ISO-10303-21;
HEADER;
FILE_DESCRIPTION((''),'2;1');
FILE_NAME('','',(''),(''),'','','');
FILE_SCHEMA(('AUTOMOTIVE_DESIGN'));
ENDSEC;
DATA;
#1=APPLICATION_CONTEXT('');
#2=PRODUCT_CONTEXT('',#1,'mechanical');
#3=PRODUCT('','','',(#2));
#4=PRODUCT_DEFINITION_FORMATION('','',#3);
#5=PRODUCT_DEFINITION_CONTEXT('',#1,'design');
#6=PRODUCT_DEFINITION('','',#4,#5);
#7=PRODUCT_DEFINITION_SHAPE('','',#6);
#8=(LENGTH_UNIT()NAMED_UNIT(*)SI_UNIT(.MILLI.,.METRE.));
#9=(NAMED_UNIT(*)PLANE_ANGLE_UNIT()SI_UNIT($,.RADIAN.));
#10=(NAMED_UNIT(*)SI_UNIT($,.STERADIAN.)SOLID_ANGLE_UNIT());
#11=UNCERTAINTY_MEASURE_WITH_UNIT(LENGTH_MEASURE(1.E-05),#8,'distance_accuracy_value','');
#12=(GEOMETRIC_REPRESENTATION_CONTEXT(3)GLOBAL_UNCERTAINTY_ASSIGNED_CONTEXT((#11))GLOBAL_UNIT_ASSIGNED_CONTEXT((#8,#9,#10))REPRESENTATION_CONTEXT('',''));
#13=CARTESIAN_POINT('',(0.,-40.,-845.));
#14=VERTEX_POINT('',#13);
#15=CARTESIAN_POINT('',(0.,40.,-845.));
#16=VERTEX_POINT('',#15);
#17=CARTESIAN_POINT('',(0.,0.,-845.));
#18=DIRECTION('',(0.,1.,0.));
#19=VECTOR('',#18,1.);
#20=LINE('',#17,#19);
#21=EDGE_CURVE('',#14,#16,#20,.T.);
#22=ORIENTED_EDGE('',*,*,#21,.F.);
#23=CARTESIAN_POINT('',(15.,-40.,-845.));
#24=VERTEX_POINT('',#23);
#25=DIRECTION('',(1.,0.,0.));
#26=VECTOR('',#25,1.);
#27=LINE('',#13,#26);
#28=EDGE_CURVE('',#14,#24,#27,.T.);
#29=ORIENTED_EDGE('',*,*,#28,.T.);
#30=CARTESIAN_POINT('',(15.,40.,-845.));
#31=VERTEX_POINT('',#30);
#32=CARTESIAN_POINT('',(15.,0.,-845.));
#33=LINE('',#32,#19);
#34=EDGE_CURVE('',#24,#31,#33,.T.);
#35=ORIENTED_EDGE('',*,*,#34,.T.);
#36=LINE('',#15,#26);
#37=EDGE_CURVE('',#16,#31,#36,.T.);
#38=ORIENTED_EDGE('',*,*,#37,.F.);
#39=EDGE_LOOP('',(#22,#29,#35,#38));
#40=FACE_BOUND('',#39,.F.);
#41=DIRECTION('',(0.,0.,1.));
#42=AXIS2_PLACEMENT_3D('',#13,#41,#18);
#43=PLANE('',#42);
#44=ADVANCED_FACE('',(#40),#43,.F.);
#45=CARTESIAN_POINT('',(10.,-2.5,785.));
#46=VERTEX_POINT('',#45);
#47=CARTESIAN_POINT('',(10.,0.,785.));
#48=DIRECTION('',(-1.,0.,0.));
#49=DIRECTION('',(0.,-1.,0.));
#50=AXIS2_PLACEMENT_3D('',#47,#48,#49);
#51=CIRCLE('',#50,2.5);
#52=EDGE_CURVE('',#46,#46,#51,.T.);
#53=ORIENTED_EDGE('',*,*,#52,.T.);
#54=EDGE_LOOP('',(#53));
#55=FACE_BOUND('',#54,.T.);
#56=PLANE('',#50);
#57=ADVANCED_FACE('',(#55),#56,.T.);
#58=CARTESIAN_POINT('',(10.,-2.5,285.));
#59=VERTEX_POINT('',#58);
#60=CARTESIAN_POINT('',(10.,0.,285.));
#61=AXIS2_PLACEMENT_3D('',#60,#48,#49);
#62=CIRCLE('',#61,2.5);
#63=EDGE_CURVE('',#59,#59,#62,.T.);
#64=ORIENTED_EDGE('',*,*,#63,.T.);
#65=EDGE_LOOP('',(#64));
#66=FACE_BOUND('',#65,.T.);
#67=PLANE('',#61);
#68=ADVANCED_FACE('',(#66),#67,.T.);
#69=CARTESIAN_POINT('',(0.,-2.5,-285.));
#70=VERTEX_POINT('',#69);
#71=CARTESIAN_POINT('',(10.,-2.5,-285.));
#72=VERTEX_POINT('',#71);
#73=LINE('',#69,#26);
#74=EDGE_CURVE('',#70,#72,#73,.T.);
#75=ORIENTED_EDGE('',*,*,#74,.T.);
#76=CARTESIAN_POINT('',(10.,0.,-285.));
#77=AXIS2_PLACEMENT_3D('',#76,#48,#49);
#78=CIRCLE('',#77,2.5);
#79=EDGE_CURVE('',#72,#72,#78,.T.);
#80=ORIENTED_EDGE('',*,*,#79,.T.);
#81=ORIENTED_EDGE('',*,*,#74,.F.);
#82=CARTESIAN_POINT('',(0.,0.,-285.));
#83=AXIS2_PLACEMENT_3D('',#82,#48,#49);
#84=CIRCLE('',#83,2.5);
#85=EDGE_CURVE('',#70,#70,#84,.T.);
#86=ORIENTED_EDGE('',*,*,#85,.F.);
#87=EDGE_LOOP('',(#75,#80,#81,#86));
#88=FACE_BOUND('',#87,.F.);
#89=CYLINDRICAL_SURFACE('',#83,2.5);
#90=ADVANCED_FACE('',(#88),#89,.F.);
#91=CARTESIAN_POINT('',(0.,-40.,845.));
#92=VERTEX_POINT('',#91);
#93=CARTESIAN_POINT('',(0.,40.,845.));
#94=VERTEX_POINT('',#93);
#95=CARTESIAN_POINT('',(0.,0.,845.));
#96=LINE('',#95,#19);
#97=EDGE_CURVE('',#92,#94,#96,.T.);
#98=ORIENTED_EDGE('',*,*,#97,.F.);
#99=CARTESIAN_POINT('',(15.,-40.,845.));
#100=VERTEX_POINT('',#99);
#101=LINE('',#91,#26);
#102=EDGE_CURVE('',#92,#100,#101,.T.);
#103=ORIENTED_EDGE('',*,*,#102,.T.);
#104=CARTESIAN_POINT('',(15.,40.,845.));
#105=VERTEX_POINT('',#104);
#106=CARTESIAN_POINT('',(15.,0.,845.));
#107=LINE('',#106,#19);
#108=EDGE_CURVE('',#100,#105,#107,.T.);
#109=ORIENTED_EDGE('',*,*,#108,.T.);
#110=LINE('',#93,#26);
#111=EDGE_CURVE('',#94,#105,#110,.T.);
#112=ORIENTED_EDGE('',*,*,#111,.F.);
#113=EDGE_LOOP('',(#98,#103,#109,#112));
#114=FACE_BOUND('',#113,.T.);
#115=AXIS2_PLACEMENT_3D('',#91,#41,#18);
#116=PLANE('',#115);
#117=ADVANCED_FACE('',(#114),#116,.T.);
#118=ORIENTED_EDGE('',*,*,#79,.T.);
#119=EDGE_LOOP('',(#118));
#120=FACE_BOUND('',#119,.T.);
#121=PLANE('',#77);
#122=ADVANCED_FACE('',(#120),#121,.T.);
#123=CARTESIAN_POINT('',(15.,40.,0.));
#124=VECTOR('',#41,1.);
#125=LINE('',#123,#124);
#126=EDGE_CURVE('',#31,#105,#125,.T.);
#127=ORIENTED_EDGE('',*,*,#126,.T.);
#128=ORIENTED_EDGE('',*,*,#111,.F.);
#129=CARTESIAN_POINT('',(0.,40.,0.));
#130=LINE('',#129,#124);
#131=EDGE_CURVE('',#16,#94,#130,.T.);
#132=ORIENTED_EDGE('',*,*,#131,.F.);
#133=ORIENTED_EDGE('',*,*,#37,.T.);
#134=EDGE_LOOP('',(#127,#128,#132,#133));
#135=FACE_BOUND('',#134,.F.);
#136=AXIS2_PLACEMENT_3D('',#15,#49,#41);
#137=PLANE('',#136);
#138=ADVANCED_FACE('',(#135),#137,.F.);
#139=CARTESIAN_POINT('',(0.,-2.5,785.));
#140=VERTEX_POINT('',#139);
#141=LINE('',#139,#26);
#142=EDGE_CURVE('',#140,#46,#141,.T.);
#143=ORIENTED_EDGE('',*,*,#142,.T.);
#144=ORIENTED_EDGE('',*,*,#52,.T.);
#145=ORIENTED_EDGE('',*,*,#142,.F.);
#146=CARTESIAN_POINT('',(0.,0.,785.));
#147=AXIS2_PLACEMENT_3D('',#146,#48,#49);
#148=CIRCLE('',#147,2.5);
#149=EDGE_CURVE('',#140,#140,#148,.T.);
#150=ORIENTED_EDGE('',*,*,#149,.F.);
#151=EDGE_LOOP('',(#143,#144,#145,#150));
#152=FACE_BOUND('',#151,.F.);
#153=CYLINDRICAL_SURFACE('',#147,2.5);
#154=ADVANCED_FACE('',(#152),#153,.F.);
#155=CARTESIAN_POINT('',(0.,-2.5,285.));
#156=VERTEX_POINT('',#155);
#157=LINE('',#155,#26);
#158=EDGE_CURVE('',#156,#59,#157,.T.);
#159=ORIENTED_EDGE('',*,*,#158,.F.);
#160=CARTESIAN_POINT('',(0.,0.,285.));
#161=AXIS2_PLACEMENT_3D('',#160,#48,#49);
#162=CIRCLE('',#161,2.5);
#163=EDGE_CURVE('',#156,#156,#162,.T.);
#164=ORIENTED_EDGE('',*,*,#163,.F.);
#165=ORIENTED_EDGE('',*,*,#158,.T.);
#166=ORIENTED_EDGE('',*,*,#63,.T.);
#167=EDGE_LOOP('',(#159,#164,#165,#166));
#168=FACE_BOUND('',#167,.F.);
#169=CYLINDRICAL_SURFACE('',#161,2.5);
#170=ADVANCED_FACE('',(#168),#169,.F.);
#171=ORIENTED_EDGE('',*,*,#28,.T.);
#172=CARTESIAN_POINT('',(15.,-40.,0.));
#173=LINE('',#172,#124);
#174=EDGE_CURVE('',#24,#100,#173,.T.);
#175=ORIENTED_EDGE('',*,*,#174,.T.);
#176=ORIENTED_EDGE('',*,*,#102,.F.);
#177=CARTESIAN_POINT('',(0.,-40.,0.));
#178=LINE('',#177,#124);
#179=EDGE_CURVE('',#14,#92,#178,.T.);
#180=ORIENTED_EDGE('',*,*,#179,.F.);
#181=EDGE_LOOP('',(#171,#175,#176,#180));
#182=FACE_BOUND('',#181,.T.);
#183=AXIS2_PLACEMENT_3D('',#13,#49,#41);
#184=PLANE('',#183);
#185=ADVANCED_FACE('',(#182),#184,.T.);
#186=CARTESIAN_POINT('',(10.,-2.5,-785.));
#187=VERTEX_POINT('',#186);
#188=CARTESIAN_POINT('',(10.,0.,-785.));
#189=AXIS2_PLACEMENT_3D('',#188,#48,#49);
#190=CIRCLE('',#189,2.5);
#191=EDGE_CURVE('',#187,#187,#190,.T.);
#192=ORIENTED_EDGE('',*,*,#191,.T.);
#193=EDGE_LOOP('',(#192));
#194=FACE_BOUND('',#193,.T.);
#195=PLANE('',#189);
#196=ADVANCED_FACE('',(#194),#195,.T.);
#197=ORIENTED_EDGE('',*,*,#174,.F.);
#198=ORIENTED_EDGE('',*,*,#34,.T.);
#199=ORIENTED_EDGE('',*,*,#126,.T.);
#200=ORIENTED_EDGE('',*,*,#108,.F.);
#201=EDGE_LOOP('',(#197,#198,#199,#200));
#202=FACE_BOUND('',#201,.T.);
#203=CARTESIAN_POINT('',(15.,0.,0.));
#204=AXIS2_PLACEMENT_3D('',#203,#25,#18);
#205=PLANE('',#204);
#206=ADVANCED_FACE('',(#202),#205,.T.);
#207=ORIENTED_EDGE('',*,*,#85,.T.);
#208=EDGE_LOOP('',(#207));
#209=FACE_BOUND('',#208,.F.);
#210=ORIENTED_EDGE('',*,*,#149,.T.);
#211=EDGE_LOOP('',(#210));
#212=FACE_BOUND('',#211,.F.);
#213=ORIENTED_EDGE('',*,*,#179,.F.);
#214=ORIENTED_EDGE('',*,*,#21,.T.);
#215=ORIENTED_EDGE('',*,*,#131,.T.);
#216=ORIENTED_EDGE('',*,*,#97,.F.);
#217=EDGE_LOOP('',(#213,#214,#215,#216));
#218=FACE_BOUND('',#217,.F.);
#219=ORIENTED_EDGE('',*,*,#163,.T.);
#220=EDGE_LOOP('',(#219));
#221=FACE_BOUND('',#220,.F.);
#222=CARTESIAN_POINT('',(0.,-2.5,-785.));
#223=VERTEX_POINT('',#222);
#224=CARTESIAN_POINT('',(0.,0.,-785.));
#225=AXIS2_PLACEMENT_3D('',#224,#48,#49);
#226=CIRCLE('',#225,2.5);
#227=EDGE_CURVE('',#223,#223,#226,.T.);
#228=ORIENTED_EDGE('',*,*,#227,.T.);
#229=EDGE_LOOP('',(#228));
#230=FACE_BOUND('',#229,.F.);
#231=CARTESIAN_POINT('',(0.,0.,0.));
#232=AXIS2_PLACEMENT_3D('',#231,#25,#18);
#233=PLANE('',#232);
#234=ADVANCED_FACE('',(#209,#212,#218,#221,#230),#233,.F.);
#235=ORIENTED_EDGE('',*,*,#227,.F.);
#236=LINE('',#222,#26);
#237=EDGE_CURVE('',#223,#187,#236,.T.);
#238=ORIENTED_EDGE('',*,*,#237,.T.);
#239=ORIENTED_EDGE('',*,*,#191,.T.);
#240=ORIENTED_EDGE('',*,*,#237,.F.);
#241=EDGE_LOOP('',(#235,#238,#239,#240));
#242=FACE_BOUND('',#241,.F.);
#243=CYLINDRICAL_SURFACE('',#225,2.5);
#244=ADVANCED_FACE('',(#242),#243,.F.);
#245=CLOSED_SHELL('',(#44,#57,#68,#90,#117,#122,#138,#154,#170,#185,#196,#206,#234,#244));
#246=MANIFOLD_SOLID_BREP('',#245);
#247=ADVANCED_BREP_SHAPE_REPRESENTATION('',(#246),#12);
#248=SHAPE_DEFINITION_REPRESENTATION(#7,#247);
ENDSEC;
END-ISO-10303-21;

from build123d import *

# Parameters (mm, degrees)
F0_W     = 80
F0_H     = 1690
F1_DEPTH = 15
F2_R     = 2.5
F3_DEPTH = 10


with BuildPart() as f1:
    # F0 (on Right) → F1 (new body)
    with BuildSketch(Plane.YZ):
        Rectangle(F0_W, F0_H)
    extrude(amount=F1_DEPTH)

    # F2 (on face) → F3 (cut)
    with BuildSketch(Plane(origin=(0, 0, 0), x_dir=(0, -1, 0), z_dir=(-1, 0, 0))):
        with Locations((0, 785)):
            Circle(F2_R)
        with Locations((0, 285)):
            Circle(F2_R)
        with Locations((0, -285)):
            Circle(F2_R)
        with Locations((0, -785)):
            Circle(F2_R)
    extrude(amount=-F3_DEPTH, mode=Mode.SUBTRACT)


solid = f1.part
